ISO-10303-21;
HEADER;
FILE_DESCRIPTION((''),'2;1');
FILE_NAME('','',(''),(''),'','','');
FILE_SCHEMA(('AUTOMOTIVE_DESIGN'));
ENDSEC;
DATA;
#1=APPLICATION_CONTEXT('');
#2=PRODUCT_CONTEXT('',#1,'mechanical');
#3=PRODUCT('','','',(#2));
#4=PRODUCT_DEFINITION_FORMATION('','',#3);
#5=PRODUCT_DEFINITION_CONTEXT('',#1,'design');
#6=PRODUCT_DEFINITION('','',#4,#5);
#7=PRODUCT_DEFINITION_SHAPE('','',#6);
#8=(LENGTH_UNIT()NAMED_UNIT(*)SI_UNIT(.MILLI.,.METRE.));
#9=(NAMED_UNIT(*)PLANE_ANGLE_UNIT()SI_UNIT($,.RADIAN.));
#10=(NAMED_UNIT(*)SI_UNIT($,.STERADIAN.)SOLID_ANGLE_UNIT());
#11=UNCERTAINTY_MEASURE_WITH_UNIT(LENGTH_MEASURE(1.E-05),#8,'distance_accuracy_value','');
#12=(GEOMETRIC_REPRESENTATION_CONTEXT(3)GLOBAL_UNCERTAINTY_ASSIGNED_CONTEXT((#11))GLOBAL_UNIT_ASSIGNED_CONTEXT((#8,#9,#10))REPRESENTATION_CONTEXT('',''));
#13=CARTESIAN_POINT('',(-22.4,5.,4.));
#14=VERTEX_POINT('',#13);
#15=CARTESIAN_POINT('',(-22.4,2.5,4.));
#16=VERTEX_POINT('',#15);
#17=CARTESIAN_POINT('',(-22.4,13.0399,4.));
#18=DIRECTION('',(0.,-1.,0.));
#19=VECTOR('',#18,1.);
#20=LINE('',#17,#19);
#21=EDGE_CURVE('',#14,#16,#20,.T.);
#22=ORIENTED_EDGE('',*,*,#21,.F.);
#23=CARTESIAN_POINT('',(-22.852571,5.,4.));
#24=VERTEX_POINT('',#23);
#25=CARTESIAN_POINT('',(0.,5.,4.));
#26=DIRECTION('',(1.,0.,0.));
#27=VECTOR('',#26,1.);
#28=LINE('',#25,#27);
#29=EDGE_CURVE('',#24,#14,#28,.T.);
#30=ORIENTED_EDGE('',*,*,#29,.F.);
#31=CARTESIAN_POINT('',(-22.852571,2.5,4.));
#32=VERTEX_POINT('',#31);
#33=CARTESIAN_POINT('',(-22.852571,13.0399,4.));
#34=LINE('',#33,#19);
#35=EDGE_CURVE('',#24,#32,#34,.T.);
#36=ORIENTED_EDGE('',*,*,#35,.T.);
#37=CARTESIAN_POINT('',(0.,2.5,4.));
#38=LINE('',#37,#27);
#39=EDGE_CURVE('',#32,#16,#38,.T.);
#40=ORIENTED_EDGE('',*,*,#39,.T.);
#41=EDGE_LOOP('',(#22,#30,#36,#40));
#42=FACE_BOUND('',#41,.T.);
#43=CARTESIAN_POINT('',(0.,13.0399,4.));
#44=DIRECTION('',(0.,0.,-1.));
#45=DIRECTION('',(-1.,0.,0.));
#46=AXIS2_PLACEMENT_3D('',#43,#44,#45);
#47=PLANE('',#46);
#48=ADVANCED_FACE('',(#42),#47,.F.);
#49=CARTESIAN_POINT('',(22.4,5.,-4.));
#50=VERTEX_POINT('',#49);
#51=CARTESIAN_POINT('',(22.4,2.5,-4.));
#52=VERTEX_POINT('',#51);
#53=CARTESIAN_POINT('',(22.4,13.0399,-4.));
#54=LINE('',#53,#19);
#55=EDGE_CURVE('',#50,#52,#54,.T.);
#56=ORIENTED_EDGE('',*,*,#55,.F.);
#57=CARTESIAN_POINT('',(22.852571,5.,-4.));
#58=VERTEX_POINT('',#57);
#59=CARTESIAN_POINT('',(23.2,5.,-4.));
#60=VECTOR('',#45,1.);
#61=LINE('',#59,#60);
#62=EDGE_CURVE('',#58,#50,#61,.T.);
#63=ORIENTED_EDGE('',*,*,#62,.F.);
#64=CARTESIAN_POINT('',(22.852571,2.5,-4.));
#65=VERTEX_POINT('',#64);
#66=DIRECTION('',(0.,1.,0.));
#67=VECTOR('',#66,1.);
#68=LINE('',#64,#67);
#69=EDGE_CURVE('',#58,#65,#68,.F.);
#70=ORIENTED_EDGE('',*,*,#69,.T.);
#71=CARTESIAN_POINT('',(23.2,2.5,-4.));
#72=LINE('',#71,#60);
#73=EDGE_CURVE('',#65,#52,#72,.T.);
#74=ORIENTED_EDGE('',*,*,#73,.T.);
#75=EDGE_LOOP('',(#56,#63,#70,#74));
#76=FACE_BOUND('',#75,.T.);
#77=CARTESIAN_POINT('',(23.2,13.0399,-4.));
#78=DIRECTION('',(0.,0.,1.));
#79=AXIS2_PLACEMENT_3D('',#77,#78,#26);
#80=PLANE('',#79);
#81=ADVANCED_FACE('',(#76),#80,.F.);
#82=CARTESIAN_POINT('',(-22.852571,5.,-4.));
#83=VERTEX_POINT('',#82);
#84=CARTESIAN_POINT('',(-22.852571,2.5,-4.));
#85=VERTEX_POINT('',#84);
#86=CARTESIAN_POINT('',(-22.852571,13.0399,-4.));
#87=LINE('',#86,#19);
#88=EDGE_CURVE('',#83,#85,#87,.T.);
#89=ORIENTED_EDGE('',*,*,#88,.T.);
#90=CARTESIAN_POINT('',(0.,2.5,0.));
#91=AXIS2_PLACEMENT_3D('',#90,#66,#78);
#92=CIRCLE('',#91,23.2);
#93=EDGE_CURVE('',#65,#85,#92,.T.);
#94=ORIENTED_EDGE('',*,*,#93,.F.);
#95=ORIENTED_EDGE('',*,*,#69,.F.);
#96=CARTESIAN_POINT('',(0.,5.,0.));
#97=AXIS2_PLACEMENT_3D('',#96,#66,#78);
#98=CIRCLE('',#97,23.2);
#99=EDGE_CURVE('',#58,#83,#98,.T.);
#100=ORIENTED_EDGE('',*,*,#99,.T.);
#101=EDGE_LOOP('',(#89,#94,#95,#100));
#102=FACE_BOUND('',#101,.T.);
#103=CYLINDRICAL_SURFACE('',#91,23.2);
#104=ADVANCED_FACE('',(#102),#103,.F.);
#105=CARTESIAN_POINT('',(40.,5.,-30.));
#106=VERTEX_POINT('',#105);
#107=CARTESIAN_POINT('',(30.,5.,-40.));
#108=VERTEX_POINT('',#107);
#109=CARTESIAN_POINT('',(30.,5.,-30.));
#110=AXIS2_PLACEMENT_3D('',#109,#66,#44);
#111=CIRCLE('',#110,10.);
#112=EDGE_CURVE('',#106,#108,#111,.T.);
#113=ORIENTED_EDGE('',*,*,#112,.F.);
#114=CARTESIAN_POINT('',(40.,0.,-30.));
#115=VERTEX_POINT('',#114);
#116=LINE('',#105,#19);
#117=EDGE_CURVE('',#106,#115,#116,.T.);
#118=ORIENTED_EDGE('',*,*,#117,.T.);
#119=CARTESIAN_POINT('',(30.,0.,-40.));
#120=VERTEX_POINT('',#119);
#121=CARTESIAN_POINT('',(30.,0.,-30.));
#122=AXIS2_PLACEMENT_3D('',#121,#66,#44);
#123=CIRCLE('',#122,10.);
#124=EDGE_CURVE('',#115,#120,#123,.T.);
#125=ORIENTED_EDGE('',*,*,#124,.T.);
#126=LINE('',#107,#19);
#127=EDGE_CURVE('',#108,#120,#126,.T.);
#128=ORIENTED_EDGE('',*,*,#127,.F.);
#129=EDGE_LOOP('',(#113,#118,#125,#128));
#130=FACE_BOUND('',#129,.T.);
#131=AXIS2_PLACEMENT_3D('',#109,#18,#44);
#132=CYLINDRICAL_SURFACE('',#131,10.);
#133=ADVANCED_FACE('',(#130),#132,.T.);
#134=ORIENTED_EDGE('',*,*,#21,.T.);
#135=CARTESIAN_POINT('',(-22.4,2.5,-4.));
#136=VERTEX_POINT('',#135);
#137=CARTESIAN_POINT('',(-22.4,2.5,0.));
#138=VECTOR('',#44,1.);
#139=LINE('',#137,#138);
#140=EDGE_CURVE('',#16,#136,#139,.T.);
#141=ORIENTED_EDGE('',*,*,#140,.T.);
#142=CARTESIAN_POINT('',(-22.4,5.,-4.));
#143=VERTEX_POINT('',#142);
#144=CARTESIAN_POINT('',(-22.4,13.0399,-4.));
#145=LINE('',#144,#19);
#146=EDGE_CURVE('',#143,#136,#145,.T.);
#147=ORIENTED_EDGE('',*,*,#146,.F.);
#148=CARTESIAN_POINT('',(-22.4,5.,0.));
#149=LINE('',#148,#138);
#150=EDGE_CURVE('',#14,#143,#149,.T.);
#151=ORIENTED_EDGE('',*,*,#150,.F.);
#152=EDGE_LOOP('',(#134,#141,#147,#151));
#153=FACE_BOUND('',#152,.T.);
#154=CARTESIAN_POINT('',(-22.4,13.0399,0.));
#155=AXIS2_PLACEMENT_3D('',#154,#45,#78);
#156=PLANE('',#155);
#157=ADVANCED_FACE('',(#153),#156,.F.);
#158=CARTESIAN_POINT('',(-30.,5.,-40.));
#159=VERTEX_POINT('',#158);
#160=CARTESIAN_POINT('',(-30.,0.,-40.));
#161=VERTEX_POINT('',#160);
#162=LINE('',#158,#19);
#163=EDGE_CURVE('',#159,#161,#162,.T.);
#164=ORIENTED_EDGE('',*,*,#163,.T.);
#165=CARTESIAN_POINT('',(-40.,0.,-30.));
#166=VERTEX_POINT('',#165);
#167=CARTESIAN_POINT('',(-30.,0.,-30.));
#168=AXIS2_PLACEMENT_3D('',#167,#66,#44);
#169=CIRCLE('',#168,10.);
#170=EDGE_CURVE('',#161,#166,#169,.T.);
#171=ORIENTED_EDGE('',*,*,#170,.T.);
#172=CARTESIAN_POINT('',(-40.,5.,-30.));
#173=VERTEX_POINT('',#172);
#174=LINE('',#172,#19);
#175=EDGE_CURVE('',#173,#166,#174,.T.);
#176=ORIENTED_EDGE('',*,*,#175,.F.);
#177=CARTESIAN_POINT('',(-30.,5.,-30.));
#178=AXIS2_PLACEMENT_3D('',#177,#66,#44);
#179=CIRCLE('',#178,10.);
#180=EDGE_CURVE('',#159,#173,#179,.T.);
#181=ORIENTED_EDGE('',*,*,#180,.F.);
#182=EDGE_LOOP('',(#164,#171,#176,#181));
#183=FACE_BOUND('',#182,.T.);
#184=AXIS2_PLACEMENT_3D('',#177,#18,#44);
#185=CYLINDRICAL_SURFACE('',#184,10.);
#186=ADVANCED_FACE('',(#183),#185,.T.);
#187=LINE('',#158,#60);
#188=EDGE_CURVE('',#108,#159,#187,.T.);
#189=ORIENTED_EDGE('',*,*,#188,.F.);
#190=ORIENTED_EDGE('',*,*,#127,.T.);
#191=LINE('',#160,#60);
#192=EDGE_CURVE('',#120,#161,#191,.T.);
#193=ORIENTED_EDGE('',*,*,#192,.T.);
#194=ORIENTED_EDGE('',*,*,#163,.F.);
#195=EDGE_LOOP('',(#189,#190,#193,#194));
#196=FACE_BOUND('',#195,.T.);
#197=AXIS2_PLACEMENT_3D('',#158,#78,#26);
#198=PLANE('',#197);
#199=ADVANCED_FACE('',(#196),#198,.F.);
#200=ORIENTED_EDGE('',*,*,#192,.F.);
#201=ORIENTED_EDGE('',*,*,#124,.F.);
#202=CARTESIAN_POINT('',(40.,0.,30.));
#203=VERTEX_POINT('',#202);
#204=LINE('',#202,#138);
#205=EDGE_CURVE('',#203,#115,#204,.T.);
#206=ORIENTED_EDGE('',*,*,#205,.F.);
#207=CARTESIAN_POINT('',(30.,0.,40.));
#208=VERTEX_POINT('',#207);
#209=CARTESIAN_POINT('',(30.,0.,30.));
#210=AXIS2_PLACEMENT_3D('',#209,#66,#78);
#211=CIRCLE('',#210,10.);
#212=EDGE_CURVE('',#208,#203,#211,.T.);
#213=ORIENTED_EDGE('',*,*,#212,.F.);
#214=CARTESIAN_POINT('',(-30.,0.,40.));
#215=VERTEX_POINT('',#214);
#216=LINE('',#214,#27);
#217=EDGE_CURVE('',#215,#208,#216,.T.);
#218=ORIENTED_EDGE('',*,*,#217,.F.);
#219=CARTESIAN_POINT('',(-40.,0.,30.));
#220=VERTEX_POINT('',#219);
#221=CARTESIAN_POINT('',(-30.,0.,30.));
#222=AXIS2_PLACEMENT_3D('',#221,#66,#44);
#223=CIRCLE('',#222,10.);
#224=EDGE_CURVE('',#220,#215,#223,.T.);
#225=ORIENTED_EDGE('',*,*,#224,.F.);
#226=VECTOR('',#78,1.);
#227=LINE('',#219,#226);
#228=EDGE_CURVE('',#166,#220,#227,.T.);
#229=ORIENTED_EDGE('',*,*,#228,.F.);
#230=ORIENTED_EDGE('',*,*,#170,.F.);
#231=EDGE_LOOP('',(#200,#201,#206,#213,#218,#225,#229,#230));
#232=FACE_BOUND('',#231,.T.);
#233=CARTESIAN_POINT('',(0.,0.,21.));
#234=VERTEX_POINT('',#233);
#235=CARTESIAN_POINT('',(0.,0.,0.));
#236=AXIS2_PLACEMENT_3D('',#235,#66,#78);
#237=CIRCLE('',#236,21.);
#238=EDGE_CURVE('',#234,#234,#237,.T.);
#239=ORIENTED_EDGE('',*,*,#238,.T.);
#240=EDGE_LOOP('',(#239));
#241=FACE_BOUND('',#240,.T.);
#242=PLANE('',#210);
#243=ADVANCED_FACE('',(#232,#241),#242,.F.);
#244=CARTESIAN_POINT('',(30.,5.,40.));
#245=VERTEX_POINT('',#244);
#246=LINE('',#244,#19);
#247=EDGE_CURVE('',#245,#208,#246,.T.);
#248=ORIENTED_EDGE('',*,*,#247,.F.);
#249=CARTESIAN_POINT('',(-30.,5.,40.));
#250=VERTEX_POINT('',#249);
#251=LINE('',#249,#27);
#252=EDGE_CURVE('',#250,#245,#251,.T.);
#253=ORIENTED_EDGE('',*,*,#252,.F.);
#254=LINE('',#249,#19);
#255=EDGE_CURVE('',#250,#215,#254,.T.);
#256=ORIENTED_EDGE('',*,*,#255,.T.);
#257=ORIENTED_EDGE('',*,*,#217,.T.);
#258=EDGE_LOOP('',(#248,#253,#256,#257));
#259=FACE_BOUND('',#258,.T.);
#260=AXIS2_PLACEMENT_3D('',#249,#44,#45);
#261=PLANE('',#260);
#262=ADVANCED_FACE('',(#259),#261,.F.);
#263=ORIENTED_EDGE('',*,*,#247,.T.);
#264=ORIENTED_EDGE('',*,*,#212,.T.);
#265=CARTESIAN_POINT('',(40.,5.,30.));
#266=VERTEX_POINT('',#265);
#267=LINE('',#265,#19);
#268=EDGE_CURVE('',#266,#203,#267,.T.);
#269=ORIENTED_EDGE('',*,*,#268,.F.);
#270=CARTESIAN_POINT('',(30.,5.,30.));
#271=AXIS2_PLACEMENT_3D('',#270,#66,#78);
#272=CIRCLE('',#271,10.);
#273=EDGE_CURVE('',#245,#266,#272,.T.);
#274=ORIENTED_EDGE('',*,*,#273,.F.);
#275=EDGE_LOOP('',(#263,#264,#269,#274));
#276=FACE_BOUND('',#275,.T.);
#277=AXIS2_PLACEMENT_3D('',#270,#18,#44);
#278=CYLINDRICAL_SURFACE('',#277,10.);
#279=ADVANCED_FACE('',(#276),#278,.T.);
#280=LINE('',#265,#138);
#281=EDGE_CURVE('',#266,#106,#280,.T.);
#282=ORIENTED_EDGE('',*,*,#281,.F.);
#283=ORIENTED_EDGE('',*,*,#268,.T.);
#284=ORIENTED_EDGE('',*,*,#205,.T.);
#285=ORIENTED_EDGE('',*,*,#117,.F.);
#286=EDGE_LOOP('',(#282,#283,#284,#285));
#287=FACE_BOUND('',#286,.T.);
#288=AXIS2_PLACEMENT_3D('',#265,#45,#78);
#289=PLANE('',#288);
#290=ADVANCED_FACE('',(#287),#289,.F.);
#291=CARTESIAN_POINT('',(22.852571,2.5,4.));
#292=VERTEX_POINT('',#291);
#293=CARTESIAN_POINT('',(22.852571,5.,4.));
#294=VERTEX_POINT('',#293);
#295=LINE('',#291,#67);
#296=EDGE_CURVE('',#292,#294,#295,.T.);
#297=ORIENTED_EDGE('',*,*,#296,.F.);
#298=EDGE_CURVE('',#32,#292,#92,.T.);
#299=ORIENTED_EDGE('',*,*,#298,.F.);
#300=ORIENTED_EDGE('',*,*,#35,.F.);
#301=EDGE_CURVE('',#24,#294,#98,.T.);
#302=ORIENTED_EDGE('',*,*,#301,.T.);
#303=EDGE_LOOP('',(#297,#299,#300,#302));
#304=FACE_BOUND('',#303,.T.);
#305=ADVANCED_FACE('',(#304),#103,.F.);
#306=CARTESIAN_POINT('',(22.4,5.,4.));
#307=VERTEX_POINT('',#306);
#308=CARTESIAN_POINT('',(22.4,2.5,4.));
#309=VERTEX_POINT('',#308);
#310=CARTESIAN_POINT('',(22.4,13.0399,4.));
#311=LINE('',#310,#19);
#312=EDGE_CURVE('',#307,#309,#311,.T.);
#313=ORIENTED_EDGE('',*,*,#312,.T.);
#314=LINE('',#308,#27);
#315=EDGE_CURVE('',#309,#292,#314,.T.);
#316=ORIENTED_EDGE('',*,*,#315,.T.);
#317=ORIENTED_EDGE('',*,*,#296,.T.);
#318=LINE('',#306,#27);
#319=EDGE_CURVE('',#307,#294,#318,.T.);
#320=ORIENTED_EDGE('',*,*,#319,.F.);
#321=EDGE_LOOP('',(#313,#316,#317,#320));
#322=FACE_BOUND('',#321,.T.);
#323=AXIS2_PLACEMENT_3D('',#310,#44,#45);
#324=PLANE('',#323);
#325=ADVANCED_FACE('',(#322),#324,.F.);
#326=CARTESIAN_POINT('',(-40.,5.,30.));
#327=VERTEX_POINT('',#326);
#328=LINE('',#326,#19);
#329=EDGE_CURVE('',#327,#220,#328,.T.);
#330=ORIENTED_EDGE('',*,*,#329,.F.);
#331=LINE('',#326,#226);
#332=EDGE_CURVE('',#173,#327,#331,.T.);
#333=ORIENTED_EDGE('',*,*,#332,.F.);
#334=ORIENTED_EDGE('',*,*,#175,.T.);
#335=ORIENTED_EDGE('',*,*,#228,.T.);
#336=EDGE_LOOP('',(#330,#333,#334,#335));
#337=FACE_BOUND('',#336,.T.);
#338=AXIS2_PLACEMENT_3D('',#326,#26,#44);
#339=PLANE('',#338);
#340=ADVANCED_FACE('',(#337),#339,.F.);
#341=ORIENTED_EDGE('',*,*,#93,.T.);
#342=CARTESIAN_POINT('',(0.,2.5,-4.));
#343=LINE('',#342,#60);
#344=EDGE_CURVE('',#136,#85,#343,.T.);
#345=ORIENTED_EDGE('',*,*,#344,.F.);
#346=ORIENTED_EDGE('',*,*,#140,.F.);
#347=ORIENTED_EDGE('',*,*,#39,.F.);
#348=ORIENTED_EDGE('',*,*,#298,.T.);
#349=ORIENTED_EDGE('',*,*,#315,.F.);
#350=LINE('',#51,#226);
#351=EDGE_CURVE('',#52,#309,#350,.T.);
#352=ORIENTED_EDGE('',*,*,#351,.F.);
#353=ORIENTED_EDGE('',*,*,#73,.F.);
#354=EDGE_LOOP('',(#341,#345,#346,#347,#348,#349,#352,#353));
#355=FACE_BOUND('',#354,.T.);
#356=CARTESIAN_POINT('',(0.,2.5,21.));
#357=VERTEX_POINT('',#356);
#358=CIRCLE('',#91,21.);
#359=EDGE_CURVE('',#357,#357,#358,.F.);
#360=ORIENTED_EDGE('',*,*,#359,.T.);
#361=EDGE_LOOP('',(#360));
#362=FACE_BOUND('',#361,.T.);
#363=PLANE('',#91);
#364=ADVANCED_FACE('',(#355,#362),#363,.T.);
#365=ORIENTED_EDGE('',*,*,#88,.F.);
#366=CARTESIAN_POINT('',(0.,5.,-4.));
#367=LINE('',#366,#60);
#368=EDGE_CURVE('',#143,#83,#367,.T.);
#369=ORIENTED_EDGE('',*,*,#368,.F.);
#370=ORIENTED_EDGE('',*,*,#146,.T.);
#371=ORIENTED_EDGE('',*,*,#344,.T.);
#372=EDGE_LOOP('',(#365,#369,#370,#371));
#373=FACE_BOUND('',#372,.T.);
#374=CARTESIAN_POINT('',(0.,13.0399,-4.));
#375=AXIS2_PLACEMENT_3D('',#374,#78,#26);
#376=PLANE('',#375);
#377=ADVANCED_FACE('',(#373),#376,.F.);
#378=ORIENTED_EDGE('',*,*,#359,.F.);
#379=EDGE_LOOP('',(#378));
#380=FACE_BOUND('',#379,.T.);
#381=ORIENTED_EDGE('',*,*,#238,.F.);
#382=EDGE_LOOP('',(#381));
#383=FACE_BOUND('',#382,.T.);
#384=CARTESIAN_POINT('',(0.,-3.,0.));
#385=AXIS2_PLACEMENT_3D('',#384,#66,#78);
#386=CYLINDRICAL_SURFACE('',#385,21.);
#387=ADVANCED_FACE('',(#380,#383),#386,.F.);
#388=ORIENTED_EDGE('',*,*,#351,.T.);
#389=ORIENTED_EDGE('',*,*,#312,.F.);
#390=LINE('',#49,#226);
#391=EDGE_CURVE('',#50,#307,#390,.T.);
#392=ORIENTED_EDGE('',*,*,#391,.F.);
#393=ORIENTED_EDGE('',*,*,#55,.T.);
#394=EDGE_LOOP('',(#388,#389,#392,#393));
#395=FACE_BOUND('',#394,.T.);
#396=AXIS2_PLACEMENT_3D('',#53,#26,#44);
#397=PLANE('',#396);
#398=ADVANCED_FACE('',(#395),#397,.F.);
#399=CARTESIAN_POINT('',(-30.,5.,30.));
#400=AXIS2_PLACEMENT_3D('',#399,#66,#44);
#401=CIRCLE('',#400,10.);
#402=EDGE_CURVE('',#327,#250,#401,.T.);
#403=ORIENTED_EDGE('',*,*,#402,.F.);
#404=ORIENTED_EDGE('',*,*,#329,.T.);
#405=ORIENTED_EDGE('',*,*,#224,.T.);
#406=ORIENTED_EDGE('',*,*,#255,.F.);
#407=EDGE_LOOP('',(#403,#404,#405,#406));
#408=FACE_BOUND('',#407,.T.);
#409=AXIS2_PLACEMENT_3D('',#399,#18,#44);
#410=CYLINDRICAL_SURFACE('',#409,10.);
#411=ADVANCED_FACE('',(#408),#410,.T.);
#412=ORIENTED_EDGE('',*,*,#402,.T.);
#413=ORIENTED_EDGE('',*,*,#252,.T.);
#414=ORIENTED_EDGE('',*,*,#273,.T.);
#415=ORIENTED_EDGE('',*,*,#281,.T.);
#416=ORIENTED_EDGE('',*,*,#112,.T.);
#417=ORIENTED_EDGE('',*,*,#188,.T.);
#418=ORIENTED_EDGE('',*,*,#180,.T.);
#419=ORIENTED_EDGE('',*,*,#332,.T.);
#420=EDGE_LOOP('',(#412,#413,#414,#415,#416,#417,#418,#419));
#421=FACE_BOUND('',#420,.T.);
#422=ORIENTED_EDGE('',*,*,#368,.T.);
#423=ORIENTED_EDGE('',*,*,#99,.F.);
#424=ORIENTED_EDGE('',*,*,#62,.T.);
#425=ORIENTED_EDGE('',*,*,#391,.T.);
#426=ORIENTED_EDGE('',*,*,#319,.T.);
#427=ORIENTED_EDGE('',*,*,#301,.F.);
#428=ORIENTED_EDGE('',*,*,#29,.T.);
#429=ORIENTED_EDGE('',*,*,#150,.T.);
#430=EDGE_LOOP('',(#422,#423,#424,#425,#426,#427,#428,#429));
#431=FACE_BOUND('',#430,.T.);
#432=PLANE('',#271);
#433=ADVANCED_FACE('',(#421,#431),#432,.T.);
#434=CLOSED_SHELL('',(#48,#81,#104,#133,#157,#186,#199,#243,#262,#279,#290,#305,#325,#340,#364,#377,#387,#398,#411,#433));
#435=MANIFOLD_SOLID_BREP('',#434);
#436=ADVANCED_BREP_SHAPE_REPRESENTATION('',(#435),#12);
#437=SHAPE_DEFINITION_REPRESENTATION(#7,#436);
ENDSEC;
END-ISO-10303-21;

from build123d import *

# Parameters (mm, degrees)
BOSS_EXTRUDE1_DEPTH = 5
SKETCH2_R           = 21
CUT_EXTRUDE1_DEPTH  = 8
SKETCH3_R           = 23.2
CUT_EXTRUDE2_DEPTH  = 2.5
BOSS_EXTRUDE2_START = 2.5
BOSS_EXTRUDE2_DEPTH = 2.5


with BuildPart() as part:
    # Sketch1 → Boss-Extrude1 (new body)
    with BuildSketch(Plane(origin=(0, 0, 0), x_dir=(1, 0, 0), z_dir=(0, 1, 0))):
        with BuildLine():
            Line((-30, -40), (30, -40))
            ThreePointArc((30, -40), (37.071067812, -37.071067812), (40, -30))
            Line((40, -30), (40, 30))
            ThreePointArc((40, 30), (37.071067812, 37.071067812), (30, 40))
            Line((30, 40), (-30, 40))
            ThreePointArc((-30, 40), (-37.071067812, 37.071067812), (-40, 30))
            Line((-40, 30), (-40, -30))
            ThreePointArc((-40, -30), (-37.071067812, -37.071067812), (-30, -40))
        make_face()
    extrude(amount=BOSS_EXTRUDE1_DEPTH)

    # Sketch2 → Cut-Extrude1 (cut)
    with BuildSketch(Plane(origin=(0, 5, 0), x_dir=(1, 0, 0), z_dir=(0, 1, 0))):
        with Locations(Location((0, 0, 0), (0, 0, 270))):
            Circle(SKETCH2_R)
    extrude(amount=-CUT_EXTRUDE1_DEPTH, mode=Mode.SUBTRACT)

    # Sketch3 → Cut-Extrude2 (cut)
    with BuildSketch(Plane(origin=(0, 5, 0), x_dir=(1, 0, 0), z_dir=(0, 1, 0))):
        with Locations(Location((0, 0, 0), (0, 0, 270))):
            Circle(SKETCH3_R)
    extrude(amount=-CUT_EXTRUDE2_DEPTH, mode=Mode.SUBTRACT)

    # Sketch4 → Boss-Extrude2 (add)
    with BuildSketch(Plane(origin=(0, 2.5, 0), x_dir=(1, 0, 0), z_dir=(0, 1, 0)).offset(BOSS_EXTRUDE2_START)):
        with BuildLine():
            Line((-22.4, 4), (-22.852570971, 4))
            ThreePointArc((-22.852570971, 4), (-23.112979541, 2.007530008), (-23.2, 0))
            ThreePointArc((-23.2, 0), (-23.112979541, -2.007530008), (-22.852570971, -4))
            Line((-22.852570971, -4), (-22.4, -4))
            Line((-22.4, -4), (-22.4, 4))
        make_face()
        Polygon((23.2, 0), (23.2, 4), (22.4, 4), (22.4, -4), (23.2, -4), align=None)
    extrude(amount=-BOSS_EXTRUDE2_DEPTH)


solid = part.part
